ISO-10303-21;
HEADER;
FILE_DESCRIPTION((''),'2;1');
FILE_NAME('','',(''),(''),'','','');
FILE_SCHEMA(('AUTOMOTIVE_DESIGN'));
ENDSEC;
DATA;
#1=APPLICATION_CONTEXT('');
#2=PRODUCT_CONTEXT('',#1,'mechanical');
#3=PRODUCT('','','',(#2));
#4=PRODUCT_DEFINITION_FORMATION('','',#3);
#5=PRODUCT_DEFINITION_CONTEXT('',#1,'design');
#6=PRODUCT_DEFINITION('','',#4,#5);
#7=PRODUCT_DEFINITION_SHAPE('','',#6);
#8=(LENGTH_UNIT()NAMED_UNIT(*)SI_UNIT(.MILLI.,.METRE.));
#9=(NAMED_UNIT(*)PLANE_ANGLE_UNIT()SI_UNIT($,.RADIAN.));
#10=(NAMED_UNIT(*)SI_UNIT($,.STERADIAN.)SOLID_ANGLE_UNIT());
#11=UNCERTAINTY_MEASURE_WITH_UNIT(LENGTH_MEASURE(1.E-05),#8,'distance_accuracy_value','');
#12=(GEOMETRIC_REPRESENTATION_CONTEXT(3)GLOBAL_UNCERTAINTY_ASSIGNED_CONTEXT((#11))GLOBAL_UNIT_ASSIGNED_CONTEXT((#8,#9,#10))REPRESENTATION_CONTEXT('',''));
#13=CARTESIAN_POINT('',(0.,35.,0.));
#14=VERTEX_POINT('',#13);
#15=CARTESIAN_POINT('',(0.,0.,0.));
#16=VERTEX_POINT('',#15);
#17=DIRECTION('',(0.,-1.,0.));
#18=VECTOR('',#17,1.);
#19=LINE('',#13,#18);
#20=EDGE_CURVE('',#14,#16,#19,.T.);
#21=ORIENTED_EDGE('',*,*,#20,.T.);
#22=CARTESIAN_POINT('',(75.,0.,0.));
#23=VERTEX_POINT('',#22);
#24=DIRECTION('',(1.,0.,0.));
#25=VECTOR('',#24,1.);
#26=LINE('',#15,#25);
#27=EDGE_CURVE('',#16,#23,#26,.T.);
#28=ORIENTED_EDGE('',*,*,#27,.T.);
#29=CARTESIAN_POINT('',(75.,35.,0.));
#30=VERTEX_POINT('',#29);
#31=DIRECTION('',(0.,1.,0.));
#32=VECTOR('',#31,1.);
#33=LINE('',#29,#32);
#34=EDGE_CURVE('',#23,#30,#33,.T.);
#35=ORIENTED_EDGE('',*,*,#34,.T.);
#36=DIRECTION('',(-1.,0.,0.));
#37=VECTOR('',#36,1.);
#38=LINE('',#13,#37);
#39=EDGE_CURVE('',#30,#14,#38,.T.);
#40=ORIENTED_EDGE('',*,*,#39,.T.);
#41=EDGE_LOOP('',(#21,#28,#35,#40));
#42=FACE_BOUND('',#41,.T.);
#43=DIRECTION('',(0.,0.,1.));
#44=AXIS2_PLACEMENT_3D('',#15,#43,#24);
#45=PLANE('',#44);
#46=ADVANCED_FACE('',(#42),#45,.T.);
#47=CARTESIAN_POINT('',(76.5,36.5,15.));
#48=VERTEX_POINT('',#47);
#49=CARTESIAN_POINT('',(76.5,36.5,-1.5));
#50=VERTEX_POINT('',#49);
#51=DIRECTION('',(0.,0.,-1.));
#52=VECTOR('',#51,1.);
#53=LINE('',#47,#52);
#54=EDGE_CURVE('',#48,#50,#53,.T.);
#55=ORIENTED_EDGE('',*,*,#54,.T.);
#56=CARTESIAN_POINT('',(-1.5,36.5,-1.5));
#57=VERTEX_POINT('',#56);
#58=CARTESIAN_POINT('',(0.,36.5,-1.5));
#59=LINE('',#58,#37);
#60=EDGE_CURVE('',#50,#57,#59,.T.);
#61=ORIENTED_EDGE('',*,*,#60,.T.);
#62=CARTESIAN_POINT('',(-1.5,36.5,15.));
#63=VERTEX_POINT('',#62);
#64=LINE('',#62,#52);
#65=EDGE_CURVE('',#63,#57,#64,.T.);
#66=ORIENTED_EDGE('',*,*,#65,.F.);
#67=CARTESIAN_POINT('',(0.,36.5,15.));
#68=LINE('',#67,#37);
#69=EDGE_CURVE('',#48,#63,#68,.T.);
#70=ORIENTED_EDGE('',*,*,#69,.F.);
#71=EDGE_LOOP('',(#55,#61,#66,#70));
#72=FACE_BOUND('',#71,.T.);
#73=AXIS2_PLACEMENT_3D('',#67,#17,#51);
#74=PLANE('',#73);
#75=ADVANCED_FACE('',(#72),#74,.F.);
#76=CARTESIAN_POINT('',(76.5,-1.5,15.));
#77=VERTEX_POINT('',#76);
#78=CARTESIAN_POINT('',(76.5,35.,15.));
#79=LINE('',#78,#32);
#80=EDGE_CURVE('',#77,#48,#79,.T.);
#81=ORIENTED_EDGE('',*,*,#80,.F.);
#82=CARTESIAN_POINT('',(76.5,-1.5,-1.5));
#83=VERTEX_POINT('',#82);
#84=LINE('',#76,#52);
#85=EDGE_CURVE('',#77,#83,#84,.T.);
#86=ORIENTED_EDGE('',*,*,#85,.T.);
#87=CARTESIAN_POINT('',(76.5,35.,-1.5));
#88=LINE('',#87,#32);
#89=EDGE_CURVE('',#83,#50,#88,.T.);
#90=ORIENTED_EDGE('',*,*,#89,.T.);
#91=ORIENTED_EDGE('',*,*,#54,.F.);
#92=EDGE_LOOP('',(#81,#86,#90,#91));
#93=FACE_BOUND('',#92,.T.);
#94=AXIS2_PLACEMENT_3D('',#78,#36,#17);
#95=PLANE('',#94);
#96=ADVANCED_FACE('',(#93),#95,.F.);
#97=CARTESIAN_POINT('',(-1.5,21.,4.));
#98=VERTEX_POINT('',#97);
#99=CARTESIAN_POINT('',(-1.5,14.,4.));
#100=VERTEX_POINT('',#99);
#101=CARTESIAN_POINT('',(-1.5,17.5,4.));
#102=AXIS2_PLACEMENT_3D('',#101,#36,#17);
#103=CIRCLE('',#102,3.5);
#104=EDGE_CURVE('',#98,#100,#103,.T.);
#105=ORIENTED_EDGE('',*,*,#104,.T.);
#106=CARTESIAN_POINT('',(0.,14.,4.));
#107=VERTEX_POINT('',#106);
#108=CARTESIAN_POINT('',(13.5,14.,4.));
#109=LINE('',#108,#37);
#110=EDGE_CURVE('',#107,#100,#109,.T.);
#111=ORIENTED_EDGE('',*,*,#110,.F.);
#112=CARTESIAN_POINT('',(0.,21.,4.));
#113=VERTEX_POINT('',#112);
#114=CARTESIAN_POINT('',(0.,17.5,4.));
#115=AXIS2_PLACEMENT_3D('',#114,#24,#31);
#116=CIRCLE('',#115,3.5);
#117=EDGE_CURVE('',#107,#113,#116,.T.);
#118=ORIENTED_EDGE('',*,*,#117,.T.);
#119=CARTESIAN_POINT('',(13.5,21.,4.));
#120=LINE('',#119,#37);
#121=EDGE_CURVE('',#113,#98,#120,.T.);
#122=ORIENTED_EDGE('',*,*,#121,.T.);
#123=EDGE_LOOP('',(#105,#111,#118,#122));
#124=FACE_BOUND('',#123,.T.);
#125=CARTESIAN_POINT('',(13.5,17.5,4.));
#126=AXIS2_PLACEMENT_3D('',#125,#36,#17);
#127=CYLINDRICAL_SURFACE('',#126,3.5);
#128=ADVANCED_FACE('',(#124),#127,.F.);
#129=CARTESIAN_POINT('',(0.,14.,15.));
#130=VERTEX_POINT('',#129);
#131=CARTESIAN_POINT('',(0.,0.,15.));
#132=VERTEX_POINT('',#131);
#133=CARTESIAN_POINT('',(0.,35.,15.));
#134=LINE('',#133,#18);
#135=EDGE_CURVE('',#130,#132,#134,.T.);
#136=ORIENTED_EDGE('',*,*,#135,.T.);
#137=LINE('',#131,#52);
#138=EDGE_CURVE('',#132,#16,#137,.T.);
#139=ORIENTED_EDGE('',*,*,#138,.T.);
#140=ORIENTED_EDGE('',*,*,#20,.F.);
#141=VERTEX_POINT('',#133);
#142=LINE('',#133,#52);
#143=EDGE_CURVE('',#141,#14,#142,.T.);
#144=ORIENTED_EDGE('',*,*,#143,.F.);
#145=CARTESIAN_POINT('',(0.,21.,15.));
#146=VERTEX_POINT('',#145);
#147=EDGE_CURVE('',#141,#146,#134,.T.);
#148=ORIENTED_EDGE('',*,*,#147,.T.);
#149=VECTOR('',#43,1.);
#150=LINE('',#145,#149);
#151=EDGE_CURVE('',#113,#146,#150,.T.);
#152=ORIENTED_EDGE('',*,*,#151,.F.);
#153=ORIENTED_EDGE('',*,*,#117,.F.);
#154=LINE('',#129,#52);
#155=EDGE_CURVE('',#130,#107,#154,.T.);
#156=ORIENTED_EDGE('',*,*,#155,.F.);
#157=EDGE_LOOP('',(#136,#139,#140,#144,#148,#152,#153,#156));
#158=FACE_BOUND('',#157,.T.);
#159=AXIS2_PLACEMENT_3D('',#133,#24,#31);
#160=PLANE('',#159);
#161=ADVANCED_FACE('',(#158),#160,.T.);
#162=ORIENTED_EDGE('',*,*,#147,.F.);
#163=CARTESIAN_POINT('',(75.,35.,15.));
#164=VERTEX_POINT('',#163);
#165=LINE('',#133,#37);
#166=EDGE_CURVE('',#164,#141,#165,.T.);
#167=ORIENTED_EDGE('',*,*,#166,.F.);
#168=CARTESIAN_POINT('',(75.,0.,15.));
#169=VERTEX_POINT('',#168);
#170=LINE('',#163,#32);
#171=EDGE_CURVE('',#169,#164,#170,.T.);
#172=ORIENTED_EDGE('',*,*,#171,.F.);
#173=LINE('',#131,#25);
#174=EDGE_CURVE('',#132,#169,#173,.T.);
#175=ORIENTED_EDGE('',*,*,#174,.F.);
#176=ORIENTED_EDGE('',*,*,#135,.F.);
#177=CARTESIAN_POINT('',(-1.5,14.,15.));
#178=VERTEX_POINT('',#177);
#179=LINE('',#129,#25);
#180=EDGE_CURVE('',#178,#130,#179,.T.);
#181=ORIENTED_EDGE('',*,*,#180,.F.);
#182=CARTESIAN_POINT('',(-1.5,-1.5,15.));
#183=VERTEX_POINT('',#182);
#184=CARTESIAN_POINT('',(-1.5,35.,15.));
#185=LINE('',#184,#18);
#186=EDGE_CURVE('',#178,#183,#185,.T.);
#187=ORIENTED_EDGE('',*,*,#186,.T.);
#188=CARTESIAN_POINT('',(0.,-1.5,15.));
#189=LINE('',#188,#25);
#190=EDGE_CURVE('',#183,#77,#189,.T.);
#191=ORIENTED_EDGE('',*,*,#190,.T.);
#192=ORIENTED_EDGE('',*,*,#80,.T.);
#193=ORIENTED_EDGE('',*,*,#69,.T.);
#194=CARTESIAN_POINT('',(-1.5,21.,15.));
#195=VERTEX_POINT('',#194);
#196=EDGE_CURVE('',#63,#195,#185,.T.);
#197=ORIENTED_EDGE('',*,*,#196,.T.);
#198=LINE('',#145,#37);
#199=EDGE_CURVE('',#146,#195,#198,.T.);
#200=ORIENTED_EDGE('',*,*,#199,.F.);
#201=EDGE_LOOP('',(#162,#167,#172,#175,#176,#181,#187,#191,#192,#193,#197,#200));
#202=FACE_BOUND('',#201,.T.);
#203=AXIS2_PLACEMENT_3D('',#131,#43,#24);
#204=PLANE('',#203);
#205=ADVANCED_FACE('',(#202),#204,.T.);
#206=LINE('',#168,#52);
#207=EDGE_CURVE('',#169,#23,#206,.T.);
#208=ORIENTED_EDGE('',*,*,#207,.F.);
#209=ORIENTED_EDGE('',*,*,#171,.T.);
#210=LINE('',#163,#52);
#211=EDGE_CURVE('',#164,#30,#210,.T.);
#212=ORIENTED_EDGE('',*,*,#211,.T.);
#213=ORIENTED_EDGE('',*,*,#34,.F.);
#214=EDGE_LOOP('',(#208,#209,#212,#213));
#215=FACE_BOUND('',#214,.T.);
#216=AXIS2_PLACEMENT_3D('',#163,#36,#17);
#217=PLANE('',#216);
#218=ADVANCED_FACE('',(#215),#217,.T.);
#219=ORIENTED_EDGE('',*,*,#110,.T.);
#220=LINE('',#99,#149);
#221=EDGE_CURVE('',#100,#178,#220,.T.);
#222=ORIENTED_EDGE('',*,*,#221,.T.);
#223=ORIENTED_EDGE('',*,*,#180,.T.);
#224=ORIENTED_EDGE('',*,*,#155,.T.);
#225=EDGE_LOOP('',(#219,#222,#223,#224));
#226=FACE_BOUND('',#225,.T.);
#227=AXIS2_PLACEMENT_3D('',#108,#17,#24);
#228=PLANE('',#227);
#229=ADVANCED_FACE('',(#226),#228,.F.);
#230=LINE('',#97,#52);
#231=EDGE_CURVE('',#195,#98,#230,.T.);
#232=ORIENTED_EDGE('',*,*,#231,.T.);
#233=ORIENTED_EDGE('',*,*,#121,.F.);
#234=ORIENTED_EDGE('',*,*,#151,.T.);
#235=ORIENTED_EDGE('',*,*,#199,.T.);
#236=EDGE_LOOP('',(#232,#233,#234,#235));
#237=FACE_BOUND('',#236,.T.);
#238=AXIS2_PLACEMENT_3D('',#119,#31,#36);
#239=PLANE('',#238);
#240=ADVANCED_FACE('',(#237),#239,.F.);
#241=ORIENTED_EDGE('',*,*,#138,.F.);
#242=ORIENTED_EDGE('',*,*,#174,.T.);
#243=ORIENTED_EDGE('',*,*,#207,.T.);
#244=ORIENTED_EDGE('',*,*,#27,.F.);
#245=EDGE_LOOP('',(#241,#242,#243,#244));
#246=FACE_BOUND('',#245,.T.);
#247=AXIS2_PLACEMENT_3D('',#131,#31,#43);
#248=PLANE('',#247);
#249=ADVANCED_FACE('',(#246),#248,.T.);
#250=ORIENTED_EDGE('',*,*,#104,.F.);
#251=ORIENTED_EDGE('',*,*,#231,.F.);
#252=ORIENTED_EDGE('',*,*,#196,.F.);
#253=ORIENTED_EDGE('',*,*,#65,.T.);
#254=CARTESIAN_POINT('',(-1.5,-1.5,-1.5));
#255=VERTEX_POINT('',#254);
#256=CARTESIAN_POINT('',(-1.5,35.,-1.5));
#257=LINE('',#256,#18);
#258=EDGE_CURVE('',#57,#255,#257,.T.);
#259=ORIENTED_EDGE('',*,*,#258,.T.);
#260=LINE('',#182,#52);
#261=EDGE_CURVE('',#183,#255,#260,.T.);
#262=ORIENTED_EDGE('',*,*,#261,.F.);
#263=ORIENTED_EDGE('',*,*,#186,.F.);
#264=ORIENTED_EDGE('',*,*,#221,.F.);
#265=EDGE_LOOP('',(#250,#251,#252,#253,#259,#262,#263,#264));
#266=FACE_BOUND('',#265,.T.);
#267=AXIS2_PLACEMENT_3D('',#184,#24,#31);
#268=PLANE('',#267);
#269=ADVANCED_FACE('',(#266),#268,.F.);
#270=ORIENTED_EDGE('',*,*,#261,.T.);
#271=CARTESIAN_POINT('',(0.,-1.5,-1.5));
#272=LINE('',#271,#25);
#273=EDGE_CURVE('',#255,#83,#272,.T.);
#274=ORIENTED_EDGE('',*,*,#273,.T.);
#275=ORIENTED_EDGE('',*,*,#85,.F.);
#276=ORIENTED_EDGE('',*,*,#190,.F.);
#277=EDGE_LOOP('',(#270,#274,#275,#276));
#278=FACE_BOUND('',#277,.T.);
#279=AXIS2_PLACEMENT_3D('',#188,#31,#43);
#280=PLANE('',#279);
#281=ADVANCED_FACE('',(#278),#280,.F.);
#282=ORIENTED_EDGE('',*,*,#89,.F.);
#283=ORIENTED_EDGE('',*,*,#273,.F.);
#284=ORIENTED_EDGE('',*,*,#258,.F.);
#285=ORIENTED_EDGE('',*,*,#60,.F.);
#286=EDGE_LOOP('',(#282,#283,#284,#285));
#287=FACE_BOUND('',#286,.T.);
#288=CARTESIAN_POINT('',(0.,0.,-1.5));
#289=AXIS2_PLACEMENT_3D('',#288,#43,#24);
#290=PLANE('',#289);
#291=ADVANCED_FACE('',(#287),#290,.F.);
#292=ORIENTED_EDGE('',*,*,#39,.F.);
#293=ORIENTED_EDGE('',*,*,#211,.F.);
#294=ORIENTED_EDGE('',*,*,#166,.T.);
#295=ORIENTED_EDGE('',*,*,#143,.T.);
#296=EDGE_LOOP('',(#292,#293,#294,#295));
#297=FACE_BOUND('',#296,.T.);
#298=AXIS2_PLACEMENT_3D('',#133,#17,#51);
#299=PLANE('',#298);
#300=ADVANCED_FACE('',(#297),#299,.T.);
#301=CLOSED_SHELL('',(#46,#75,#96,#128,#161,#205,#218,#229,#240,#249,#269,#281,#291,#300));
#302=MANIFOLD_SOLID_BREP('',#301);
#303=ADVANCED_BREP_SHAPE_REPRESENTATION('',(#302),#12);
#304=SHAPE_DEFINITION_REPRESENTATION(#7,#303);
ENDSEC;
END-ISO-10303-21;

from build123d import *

# Parameters (mm, degrees)
ESQUISSE1_W             = 75
ESQUISSE1_H             = 35
BOSS_EXTRU_1_DEPTH      = 15
COQUE1_T                = 1.5
ENL_V_MAT_EXTRU_1_DEPTH = 15


with BuildPart() as part:
    # Esquisse1 → Boss.-Extru.1 (new body)
    with BuildSketch(Plane.XY):
        with Locations((37.5, 17.5)):
            Rectangle(ESQUISSE1_W, ESQUISSE1_H)
    extrude(amount=BOSS_EXTRU_1_DEPTH)

    # Coque1
    coque1_openings = [part.faces().sort_by_distance(p)[0] for p in [
        (37.5, 17.5, 15),
    ]]
    offset(amount=COQUE1_T, openings=coque1_openings, kind=Kind.INTERSECTION)

    # Esquisse2 → Enlèv. mat.-Extru.1 (cut)
    with BuildSketch(Plane.ZY.offset(1.5)):
        with BuildLine():
            Line((4, 21), (15.502923277, 21))
            ThreePointArc((15.502923277, 21), (19.002923277, 17.5), (15.502923277, 14))
            Line((15.502923277, 14), (4, 14))
            ThreePointArc((4, 14), (0.5, 17.5), (4, 21))
        make_face()
    extrude(amount=-ENL_V_MAT_EXTRU_1_DEPTH, mode=Mode.SUBTRACT)


solid = part.part
